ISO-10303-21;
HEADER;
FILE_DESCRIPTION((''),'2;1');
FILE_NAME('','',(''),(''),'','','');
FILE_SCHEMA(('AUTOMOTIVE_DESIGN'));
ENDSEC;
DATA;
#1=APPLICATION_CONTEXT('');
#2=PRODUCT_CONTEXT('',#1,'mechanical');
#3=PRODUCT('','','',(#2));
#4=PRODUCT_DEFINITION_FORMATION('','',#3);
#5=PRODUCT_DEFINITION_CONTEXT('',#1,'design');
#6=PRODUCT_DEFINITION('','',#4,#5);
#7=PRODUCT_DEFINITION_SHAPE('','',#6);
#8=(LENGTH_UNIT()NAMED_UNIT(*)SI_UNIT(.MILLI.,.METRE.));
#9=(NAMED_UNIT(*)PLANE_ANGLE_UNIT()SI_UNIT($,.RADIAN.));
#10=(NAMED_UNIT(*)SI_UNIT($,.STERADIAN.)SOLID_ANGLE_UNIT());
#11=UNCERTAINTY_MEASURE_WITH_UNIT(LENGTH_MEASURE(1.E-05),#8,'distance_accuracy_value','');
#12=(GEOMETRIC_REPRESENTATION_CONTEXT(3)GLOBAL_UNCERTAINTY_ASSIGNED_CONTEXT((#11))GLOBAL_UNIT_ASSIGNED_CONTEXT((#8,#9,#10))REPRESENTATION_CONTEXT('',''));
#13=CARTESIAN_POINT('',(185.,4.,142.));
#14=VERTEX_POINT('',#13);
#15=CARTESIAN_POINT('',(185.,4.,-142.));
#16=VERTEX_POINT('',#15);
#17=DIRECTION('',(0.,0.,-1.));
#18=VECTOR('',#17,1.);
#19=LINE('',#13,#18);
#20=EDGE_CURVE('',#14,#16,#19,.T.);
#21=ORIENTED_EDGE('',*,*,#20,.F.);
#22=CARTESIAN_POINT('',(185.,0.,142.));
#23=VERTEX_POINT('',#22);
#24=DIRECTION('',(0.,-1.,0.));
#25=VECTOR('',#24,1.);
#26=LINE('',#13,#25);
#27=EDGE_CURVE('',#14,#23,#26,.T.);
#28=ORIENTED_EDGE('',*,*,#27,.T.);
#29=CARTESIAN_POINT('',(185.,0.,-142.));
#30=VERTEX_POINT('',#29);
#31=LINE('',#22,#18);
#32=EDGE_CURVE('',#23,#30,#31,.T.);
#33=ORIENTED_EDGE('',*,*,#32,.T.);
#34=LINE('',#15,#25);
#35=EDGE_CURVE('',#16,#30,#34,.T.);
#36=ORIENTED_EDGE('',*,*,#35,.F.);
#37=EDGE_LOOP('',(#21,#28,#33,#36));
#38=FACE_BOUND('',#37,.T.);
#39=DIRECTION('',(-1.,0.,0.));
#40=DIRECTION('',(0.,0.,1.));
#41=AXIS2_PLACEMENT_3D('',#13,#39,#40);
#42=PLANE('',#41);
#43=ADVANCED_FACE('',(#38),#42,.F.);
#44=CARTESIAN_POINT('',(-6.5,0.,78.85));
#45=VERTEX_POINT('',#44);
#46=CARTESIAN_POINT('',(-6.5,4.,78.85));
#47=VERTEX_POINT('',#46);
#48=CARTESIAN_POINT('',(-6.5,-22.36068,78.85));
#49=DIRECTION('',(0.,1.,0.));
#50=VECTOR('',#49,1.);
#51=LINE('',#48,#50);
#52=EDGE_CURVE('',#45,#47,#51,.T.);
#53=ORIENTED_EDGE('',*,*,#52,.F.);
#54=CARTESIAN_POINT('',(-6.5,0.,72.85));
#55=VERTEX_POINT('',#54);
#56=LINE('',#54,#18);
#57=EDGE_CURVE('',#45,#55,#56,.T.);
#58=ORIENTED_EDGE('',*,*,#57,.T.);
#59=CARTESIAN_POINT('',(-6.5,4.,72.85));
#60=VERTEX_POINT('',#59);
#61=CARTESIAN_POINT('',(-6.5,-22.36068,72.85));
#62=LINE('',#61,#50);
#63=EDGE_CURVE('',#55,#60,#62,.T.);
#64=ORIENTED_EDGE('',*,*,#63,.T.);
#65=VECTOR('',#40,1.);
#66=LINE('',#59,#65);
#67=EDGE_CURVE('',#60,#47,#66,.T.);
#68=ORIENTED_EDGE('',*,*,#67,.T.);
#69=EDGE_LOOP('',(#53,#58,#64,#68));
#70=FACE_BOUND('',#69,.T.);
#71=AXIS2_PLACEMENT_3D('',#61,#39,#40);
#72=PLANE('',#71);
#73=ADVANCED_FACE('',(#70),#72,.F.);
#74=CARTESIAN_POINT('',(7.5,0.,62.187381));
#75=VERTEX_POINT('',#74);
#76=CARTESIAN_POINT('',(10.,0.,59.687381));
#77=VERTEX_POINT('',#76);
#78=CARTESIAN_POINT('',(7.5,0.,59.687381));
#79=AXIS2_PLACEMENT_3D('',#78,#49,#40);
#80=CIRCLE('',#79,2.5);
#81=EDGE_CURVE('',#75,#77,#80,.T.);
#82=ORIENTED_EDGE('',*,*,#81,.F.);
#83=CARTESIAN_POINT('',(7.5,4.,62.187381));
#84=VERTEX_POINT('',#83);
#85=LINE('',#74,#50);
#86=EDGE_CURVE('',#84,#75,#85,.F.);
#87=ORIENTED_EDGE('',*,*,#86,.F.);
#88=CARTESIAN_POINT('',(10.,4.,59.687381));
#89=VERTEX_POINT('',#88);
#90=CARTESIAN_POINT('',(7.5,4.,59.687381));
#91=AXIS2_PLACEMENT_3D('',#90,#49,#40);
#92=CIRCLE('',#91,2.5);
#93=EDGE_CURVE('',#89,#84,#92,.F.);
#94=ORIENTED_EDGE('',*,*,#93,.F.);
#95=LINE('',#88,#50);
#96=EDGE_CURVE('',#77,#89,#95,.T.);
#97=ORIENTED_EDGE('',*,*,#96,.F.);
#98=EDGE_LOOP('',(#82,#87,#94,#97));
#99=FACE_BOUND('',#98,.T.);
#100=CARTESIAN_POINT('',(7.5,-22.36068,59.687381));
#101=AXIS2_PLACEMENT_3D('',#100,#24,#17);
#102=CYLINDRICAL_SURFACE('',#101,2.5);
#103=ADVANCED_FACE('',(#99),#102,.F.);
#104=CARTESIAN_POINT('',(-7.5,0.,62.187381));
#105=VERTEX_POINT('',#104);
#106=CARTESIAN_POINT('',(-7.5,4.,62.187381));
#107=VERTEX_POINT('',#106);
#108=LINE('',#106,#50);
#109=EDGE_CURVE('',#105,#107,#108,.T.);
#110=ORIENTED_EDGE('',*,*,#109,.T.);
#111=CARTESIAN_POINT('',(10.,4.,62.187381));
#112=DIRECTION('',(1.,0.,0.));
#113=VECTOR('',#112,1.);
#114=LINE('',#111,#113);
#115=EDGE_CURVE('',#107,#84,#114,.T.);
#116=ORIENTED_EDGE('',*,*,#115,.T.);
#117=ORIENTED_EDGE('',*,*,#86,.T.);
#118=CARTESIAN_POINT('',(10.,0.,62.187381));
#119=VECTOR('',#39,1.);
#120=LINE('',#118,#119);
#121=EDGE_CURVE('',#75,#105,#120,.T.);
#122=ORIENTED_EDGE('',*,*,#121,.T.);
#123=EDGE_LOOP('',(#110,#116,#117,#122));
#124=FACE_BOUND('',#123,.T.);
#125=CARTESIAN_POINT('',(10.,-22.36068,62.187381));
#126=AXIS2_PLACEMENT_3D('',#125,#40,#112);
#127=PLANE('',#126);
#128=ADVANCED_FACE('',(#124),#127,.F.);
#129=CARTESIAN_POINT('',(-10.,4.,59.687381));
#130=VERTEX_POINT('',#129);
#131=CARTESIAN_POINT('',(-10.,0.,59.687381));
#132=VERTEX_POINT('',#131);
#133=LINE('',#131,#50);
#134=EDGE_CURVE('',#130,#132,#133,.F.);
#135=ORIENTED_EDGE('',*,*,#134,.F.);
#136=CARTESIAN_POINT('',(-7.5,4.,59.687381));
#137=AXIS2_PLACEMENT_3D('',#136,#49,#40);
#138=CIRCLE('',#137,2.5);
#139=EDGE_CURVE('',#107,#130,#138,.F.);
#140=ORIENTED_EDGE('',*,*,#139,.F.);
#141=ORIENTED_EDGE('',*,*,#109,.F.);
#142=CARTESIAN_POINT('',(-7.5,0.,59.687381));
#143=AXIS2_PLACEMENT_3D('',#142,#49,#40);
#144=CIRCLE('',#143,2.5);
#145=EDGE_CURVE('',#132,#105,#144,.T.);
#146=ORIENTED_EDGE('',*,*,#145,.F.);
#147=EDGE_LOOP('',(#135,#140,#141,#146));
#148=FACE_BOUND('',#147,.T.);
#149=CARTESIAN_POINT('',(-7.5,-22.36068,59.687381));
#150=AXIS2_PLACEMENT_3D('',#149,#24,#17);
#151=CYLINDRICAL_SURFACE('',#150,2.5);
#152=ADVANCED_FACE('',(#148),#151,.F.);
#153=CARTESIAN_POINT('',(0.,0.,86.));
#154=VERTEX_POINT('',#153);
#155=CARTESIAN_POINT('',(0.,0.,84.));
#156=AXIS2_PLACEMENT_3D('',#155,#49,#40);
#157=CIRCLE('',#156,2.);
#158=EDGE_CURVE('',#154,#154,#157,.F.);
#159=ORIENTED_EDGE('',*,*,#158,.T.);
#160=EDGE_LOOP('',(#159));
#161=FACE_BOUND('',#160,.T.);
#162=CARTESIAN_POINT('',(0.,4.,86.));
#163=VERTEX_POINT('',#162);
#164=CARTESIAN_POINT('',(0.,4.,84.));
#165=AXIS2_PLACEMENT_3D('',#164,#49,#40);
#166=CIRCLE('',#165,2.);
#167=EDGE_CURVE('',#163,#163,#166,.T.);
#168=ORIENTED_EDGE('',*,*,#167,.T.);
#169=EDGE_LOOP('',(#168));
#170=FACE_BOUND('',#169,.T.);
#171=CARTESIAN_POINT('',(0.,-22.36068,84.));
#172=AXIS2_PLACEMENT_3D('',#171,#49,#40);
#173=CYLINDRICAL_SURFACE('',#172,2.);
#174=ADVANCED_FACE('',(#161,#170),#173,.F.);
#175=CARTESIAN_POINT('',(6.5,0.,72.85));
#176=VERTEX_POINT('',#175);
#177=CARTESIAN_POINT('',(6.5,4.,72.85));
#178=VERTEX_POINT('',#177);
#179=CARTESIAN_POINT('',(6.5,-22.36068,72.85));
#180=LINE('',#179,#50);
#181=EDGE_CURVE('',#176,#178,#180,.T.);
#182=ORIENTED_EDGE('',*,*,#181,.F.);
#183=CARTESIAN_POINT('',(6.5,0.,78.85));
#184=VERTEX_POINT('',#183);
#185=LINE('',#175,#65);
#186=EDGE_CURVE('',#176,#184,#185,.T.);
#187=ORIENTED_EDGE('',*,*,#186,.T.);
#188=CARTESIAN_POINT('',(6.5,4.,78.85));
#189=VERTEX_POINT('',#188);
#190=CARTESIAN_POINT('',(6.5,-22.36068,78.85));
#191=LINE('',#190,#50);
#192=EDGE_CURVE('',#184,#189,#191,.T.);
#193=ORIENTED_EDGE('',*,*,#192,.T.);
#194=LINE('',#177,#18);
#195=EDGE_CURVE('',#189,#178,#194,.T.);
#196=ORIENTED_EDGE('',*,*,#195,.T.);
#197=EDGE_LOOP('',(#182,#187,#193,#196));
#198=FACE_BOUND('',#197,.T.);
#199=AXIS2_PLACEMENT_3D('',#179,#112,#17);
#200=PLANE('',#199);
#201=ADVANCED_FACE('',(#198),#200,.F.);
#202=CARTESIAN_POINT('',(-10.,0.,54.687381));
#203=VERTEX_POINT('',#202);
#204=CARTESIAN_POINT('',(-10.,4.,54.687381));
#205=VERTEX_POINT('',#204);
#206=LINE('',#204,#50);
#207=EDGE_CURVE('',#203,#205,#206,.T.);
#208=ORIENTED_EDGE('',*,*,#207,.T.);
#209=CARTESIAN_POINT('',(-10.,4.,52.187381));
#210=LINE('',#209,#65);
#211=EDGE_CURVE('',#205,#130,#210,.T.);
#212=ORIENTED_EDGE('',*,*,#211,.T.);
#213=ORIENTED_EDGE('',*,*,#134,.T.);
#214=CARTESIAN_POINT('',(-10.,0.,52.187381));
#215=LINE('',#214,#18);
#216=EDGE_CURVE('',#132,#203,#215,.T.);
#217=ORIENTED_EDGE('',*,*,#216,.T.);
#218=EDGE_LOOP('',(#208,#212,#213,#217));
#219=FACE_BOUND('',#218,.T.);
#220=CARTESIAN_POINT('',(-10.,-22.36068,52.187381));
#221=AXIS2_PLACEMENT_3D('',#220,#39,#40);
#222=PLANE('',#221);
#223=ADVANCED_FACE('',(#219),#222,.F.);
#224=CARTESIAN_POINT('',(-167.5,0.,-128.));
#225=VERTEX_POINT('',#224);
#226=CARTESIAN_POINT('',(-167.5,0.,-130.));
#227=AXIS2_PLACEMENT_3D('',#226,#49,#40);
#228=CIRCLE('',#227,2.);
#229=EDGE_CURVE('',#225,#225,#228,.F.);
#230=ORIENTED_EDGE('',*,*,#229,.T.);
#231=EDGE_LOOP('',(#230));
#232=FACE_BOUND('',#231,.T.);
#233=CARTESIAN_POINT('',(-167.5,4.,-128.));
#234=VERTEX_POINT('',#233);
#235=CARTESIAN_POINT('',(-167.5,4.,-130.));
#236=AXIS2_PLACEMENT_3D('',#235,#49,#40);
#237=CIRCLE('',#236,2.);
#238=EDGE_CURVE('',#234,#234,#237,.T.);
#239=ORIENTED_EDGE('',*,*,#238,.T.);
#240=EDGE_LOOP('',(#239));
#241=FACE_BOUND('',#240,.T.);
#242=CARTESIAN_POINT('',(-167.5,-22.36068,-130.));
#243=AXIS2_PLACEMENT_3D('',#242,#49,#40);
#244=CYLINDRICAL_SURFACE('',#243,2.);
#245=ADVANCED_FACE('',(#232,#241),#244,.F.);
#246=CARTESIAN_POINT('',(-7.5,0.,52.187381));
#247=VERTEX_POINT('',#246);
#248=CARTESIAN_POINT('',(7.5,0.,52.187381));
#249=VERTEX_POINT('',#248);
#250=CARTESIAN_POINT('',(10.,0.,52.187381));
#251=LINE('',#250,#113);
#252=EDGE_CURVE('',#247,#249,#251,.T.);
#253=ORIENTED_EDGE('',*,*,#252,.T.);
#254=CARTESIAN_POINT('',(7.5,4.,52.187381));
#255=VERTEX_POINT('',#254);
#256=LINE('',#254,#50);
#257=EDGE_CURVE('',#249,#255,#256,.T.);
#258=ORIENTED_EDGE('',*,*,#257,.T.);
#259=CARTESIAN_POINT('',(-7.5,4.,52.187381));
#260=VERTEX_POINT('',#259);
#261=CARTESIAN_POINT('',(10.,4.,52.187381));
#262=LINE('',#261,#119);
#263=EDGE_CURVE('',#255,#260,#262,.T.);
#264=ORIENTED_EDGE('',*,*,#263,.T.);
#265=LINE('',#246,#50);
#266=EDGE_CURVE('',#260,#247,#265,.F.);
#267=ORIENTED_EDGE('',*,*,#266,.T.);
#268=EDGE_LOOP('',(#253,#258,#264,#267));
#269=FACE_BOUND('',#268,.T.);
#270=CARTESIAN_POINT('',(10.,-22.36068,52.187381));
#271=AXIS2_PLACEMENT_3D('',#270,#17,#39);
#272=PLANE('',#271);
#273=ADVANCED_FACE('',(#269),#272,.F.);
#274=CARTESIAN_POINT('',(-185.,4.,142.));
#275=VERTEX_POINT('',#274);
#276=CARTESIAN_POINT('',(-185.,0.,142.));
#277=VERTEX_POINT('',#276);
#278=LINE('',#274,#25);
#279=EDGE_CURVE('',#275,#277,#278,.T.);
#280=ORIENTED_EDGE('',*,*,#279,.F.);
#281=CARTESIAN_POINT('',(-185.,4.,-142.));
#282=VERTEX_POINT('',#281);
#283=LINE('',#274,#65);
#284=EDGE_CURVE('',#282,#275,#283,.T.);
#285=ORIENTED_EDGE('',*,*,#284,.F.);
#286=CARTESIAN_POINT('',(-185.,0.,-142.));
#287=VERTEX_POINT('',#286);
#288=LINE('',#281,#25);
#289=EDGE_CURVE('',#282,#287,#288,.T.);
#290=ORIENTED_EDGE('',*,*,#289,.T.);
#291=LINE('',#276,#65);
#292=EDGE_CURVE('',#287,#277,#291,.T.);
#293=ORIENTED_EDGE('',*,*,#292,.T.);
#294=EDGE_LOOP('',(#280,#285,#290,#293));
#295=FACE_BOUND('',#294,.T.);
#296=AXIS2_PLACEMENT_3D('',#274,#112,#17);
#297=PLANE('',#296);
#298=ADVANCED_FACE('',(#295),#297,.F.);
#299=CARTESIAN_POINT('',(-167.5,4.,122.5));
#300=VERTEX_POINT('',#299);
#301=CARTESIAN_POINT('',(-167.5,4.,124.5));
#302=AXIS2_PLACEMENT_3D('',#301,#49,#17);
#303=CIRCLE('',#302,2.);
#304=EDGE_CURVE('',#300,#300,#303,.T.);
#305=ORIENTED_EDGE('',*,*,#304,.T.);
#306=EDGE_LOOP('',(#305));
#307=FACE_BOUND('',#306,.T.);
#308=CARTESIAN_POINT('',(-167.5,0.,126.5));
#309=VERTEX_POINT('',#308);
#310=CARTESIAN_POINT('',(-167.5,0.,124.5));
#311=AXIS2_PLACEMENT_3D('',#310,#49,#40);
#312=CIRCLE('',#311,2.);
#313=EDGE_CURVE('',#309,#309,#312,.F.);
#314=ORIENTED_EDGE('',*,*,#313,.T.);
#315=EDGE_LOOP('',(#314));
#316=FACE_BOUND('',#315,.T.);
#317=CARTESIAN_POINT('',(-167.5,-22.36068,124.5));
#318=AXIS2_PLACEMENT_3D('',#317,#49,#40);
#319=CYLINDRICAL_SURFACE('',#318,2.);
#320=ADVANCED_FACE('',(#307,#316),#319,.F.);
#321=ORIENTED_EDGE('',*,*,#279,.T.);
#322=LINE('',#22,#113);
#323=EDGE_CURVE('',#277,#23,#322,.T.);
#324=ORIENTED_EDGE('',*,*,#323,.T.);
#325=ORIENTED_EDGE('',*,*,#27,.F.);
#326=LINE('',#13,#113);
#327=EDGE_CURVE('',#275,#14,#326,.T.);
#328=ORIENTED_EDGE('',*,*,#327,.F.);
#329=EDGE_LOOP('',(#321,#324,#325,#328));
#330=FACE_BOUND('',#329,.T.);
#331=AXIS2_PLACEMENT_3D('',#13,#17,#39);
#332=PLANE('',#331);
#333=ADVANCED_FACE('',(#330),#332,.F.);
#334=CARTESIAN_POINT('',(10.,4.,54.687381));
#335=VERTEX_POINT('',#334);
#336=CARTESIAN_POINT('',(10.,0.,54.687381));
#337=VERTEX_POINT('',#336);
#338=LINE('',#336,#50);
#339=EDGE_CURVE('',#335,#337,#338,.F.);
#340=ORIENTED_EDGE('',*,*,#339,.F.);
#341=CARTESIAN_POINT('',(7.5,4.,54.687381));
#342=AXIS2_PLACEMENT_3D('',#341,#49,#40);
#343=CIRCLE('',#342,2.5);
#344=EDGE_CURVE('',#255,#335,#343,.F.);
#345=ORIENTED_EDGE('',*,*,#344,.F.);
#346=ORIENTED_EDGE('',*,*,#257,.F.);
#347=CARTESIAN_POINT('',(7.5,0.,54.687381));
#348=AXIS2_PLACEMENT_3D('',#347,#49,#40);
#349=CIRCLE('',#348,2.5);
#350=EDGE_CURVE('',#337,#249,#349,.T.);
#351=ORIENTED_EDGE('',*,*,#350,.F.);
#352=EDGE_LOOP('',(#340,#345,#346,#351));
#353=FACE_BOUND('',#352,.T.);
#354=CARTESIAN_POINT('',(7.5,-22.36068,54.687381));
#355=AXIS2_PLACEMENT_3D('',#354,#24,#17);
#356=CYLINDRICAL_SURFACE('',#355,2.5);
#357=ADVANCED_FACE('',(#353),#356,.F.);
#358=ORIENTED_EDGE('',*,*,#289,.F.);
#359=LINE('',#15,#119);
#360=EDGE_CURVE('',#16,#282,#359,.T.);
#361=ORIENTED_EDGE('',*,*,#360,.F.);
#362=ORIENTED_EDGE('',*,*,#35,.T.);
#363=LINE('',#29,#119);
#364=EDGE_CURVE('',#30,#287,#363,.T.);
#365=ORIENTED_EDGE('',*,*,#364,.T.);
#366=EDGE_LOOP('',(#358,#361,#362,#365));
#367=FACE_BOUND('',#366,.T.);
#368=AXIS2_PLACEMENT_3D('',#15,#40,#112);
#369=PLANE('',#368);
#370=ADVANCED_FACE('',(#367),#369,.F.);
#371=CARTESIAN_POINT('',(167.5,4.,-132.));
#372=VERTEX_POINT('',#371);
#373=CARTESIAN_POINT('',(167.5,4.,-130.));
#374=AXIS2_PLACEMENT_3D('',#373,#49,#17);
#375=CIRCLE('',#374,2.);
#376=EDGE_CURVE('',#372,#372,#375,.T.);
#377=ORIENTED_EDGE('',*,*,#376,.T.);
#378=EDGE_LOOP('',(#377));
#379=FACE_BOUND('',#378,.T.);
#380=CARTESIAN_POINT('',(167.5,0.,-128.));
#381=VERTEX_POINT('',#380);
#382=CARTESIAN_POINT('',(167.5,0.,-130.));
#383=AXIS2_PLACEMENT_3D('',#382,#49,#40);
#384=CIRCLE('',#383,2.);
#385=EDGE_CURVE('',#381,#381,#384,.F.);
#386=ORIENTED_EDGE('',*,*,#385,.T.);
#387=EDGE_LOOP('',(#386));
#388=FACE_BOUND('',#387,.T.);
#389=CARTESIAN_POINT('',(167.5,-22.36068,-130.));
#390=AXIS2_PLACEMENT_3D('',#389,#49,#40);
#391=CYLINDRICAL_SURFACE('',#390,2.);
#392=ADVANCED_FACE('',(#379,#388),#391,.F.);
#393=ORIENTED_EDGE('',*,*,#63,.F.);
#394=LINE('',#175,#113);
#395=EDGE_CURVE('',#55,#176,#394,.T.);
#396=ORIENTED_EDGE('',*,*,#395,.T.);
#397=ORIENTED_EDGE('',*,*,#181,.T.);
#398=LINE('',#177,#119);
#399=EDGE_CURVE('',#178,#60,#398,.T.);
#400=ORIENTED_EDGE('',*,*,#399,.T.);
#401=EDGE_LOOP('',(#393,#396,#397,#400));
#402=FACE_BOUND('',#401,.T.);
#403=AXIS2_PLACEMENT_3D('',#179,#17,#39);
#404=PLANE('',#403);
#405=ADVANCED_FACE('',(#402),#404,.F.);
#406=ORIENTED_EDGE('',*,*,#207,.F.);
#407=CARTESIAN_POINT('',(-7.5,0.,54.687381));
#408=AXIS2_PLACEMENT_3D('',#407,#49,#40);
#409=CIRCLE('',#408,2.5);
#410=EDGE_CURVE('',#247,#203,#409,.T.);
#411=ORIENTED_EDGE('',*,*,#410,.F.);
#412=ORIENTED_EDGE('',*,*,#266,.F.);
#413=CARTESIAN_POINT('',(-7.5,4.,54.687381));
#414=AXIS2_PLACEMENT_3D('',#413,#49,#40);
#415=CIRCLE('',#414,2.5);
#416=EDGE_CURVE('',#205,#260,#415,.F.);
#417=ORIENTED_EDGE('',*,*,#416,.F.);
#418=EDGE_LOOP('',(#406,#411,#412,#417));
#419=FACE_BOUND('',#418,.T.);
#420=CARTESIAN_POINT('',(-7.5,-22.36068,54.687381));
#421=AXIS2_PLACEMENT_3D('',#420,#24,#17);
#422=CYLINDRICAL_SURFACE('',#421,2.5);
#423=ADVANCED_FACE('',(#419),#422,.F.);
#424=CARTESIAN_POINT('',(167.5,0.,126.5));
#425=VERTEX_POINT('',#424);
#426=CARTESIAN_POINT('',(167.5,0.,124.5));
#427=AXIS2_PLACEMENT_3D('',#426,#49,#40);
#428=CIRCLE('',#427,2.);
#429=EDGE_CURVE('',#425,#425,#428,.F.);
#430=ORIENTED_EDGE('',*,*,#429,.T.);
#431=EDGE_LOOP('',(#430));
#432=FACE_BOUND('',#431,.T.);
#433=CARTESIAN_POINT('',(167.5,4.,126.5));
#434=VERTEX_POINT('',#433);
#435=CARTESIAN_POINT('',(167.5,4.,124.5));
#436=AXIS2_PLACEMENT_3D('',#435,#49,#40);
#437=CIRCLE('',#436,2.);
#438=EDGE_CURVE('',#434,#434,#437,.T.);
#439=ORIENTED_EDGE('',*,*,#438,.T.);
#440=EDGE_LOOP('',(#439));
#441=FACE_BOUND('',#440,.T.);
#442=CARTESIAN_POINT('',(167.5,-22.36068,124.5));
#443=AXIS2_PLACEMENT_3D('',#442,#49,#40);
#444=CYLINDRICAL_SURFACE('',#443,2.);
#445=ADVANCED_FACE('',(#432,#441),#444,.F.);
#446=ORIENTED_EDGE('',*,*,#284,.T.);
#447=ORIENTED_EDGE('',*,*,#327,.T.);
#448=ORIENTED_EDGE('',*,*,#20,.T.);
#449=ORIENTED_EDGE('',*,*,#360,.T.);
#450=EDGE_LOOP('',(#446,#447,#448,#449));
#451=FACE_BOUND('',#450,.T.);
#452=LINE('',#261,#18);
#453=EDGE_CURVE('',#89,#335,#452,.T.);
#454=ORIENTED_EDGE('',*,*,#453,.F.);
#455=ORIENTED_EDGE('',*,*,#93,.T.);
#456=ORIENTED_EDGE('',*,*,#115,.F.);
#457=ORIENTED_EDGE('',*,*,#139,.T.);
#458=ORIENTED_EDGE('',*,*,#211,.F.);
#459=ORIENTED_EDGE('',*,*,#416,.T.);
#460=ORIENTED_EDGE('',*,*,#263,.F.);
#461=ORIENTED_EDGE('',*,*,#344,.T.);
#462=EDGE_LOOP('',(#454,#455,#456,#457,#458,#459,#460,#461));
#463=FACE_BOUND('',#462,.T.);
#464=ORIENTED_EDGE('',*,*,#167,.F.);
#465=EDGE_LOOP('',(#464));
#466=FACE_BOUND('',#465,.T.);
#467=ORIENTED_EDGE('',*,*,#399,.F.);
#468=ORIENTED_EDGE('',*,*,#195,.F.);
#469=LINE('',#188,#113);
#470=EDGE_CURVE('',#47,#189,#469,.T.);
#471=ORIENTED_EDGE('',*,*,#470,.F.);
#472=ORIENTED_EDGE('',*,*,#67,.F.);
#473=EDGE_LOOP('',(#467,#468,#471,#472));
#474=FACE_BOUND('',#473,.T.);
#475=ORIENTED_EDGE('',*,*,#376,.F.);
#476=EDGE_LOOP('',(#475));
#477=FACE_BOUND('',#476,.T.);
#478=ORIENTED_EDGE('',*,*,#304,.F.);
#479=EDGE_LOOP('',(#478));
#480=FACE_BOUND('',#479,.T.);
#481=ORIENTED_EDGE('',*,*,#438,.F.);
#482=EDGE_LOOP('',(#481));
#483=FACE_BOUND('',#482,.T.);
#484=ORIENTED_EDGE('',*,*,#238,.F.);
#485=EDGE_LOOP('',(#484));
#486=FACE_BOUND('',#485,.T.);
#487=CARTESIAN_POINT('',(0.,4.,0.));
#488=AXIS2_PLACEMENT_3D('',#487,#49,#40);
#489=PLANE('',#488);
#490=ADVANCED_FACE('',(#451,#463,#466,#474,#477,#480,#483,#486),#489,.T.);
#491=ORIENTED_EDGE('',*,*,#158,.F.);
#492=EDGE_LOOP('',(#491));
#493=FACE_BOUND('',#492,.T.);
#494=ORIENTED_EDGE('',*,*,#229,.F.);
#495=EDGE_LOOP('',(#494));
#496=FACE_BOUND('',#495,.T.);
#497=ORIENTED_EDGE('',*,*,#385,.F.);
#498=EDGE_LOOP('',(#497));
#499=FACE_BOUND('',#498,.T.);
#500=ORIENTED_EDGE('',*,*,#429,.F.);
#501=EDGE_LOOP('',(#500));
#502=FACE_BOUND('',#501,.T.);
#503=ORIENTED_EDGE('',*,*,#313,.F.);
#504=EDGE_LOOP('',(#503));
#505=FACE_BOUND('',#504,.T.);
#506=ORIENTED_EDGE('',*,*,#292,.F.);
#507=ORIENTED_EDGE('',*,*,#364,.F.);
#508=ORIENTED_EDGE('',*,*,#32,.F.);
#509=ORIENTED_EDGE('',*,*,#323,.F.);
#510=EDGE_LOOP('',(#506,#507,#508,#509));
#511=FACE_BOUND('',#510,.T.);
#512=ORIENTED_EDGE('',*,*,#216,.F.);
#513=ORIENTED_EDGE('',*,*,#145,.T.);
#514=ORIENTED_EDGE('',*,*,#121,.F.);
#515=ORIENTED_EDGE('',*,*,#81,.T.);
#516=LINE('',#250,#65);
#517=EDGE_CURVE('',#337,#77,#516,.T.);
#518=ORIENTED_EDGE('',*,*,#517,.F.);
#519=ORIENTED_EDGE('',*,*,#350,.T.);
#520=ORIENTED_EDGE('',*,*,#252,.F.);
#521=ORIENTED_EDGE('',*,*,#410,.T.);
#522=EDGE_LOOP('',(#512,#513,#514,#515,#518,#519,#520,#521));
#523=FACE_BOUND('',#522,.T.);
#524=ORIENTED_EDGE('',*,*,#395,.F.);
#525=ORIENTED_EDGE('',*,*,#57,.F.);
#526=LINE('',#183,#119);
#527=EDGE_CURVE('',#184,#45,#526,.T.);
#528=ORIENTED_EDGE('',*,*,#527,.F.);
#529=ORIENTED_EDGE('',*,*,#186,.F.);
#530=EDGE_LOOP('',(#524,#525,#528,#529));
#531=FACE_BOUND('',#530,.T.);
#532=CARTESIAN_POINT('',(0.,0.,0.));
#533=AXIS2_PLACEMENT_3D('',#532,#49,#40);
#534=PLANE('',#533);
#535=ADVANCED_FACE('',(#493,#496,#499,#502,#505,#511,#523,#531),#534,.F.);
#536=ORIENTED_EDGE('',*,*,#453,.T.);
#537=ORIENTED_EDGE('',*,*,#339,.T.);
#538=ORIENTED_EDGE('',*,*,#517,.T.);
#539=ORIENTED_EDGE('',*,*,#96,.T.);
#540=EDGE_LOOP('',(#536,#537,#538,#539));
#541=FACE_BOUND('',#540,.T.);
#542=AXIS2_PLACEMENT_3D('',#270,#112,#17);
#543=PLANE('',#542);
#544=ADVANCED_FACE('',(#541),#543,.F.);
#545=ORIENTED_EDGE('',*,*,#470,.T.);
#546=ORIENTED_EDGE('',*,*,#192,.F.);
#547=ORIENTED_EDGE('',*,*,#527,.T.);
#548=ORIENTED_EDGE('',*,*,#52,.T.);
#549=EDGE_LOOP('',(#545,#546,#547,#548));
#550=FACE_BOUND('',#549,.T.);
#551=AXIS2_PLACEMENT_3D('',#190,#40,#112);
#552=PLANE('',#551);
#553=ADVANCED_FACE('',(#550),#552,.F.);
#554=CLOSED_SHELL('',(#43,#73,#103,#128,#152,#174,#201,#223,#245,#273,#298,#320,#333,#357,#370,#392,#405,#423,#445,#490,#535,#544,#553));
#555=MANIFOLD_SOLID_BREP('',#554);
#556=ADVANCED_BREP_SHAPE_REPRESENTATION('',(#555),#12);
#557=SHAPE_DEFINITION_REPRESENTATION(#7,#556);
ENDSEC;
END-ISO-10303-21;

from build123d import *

# Parameters (mm, degrees)
SKETCH1_W           = 370
SKETCH1_H           = 284
BOSS_EXTRUDE1_DEPTH = 4
SKETCH3_R           = 2
SKETCH3_W           = 13
SKETCH3_H           = 6
SKETCH3_W_2         = 20
SKETCH3_H_2         = 10
CUT_EXTRUDE1_DEPTH  = 4
FILLET1_R           = 2.5


with BuildPart() as part:
    # Sketch1 → Boss-Extrude1 (new body)
    with BuildSketch(Plane(origin=(0, 0, 0), x_dir=(1, 0, 0), z_dir=(0, 1, 0))):
        Rectangle(SKETCH1_W, SKETCH1_H)
    extrude(amount=BOSS_EXTRUDE1_DEPTH)

    # Sketch3 → Cut-Extrude1 (cut)
    with BuildSketch(Plane(origin=(0, 4, 0), x_dir=(1, 0, 0), z_dir=(0, 1, 0))):
        with Locations(Location((-167.5, 130, 0), (0, 0, 270))):
            Circle(SKETCH3_R)
        with Locations(Location((-167.5, -124.5, 0), (0, 0, 270))):
            Circle(SKETCH3_R)
        with Locations(Location((167.5, -124.5, 0), (0, 0, 270))):
            Circle(SKETCH3_R)
        with Locations(Location((167.5, 130, 0), (0, 0, 270))):
            Circle(SKETCH3_R)
        with Locations(Location((0, -84, 0), (0, 0, 270))):
            Circle(SKETCH3_R)
        with Locations((0, -75.85)):
            Rectangle(SKETCH3_W, SKETCH3_H)
        with Locations((0, -57.187381091)):
            Rectangle(SKETCH3_W_2, SKETCH3_H_2)
    extrude(amount=-CUT_EXTRUDE1_DEPTH, mode=Mode.SUBTRACT)

    # Fillet1
    fillet1_edges = [part.edges().sort_by_distance(p)[0] for p in [
        (-10, 2, 62.187381091),
        (-10, 2, 52.187381091),
        (10, 2, 52.187381091),
        (10, 2, 62.187381091),
    ]]
    fillet(fillet1_edges, radius=FILLET1_R)


solid = part.part
